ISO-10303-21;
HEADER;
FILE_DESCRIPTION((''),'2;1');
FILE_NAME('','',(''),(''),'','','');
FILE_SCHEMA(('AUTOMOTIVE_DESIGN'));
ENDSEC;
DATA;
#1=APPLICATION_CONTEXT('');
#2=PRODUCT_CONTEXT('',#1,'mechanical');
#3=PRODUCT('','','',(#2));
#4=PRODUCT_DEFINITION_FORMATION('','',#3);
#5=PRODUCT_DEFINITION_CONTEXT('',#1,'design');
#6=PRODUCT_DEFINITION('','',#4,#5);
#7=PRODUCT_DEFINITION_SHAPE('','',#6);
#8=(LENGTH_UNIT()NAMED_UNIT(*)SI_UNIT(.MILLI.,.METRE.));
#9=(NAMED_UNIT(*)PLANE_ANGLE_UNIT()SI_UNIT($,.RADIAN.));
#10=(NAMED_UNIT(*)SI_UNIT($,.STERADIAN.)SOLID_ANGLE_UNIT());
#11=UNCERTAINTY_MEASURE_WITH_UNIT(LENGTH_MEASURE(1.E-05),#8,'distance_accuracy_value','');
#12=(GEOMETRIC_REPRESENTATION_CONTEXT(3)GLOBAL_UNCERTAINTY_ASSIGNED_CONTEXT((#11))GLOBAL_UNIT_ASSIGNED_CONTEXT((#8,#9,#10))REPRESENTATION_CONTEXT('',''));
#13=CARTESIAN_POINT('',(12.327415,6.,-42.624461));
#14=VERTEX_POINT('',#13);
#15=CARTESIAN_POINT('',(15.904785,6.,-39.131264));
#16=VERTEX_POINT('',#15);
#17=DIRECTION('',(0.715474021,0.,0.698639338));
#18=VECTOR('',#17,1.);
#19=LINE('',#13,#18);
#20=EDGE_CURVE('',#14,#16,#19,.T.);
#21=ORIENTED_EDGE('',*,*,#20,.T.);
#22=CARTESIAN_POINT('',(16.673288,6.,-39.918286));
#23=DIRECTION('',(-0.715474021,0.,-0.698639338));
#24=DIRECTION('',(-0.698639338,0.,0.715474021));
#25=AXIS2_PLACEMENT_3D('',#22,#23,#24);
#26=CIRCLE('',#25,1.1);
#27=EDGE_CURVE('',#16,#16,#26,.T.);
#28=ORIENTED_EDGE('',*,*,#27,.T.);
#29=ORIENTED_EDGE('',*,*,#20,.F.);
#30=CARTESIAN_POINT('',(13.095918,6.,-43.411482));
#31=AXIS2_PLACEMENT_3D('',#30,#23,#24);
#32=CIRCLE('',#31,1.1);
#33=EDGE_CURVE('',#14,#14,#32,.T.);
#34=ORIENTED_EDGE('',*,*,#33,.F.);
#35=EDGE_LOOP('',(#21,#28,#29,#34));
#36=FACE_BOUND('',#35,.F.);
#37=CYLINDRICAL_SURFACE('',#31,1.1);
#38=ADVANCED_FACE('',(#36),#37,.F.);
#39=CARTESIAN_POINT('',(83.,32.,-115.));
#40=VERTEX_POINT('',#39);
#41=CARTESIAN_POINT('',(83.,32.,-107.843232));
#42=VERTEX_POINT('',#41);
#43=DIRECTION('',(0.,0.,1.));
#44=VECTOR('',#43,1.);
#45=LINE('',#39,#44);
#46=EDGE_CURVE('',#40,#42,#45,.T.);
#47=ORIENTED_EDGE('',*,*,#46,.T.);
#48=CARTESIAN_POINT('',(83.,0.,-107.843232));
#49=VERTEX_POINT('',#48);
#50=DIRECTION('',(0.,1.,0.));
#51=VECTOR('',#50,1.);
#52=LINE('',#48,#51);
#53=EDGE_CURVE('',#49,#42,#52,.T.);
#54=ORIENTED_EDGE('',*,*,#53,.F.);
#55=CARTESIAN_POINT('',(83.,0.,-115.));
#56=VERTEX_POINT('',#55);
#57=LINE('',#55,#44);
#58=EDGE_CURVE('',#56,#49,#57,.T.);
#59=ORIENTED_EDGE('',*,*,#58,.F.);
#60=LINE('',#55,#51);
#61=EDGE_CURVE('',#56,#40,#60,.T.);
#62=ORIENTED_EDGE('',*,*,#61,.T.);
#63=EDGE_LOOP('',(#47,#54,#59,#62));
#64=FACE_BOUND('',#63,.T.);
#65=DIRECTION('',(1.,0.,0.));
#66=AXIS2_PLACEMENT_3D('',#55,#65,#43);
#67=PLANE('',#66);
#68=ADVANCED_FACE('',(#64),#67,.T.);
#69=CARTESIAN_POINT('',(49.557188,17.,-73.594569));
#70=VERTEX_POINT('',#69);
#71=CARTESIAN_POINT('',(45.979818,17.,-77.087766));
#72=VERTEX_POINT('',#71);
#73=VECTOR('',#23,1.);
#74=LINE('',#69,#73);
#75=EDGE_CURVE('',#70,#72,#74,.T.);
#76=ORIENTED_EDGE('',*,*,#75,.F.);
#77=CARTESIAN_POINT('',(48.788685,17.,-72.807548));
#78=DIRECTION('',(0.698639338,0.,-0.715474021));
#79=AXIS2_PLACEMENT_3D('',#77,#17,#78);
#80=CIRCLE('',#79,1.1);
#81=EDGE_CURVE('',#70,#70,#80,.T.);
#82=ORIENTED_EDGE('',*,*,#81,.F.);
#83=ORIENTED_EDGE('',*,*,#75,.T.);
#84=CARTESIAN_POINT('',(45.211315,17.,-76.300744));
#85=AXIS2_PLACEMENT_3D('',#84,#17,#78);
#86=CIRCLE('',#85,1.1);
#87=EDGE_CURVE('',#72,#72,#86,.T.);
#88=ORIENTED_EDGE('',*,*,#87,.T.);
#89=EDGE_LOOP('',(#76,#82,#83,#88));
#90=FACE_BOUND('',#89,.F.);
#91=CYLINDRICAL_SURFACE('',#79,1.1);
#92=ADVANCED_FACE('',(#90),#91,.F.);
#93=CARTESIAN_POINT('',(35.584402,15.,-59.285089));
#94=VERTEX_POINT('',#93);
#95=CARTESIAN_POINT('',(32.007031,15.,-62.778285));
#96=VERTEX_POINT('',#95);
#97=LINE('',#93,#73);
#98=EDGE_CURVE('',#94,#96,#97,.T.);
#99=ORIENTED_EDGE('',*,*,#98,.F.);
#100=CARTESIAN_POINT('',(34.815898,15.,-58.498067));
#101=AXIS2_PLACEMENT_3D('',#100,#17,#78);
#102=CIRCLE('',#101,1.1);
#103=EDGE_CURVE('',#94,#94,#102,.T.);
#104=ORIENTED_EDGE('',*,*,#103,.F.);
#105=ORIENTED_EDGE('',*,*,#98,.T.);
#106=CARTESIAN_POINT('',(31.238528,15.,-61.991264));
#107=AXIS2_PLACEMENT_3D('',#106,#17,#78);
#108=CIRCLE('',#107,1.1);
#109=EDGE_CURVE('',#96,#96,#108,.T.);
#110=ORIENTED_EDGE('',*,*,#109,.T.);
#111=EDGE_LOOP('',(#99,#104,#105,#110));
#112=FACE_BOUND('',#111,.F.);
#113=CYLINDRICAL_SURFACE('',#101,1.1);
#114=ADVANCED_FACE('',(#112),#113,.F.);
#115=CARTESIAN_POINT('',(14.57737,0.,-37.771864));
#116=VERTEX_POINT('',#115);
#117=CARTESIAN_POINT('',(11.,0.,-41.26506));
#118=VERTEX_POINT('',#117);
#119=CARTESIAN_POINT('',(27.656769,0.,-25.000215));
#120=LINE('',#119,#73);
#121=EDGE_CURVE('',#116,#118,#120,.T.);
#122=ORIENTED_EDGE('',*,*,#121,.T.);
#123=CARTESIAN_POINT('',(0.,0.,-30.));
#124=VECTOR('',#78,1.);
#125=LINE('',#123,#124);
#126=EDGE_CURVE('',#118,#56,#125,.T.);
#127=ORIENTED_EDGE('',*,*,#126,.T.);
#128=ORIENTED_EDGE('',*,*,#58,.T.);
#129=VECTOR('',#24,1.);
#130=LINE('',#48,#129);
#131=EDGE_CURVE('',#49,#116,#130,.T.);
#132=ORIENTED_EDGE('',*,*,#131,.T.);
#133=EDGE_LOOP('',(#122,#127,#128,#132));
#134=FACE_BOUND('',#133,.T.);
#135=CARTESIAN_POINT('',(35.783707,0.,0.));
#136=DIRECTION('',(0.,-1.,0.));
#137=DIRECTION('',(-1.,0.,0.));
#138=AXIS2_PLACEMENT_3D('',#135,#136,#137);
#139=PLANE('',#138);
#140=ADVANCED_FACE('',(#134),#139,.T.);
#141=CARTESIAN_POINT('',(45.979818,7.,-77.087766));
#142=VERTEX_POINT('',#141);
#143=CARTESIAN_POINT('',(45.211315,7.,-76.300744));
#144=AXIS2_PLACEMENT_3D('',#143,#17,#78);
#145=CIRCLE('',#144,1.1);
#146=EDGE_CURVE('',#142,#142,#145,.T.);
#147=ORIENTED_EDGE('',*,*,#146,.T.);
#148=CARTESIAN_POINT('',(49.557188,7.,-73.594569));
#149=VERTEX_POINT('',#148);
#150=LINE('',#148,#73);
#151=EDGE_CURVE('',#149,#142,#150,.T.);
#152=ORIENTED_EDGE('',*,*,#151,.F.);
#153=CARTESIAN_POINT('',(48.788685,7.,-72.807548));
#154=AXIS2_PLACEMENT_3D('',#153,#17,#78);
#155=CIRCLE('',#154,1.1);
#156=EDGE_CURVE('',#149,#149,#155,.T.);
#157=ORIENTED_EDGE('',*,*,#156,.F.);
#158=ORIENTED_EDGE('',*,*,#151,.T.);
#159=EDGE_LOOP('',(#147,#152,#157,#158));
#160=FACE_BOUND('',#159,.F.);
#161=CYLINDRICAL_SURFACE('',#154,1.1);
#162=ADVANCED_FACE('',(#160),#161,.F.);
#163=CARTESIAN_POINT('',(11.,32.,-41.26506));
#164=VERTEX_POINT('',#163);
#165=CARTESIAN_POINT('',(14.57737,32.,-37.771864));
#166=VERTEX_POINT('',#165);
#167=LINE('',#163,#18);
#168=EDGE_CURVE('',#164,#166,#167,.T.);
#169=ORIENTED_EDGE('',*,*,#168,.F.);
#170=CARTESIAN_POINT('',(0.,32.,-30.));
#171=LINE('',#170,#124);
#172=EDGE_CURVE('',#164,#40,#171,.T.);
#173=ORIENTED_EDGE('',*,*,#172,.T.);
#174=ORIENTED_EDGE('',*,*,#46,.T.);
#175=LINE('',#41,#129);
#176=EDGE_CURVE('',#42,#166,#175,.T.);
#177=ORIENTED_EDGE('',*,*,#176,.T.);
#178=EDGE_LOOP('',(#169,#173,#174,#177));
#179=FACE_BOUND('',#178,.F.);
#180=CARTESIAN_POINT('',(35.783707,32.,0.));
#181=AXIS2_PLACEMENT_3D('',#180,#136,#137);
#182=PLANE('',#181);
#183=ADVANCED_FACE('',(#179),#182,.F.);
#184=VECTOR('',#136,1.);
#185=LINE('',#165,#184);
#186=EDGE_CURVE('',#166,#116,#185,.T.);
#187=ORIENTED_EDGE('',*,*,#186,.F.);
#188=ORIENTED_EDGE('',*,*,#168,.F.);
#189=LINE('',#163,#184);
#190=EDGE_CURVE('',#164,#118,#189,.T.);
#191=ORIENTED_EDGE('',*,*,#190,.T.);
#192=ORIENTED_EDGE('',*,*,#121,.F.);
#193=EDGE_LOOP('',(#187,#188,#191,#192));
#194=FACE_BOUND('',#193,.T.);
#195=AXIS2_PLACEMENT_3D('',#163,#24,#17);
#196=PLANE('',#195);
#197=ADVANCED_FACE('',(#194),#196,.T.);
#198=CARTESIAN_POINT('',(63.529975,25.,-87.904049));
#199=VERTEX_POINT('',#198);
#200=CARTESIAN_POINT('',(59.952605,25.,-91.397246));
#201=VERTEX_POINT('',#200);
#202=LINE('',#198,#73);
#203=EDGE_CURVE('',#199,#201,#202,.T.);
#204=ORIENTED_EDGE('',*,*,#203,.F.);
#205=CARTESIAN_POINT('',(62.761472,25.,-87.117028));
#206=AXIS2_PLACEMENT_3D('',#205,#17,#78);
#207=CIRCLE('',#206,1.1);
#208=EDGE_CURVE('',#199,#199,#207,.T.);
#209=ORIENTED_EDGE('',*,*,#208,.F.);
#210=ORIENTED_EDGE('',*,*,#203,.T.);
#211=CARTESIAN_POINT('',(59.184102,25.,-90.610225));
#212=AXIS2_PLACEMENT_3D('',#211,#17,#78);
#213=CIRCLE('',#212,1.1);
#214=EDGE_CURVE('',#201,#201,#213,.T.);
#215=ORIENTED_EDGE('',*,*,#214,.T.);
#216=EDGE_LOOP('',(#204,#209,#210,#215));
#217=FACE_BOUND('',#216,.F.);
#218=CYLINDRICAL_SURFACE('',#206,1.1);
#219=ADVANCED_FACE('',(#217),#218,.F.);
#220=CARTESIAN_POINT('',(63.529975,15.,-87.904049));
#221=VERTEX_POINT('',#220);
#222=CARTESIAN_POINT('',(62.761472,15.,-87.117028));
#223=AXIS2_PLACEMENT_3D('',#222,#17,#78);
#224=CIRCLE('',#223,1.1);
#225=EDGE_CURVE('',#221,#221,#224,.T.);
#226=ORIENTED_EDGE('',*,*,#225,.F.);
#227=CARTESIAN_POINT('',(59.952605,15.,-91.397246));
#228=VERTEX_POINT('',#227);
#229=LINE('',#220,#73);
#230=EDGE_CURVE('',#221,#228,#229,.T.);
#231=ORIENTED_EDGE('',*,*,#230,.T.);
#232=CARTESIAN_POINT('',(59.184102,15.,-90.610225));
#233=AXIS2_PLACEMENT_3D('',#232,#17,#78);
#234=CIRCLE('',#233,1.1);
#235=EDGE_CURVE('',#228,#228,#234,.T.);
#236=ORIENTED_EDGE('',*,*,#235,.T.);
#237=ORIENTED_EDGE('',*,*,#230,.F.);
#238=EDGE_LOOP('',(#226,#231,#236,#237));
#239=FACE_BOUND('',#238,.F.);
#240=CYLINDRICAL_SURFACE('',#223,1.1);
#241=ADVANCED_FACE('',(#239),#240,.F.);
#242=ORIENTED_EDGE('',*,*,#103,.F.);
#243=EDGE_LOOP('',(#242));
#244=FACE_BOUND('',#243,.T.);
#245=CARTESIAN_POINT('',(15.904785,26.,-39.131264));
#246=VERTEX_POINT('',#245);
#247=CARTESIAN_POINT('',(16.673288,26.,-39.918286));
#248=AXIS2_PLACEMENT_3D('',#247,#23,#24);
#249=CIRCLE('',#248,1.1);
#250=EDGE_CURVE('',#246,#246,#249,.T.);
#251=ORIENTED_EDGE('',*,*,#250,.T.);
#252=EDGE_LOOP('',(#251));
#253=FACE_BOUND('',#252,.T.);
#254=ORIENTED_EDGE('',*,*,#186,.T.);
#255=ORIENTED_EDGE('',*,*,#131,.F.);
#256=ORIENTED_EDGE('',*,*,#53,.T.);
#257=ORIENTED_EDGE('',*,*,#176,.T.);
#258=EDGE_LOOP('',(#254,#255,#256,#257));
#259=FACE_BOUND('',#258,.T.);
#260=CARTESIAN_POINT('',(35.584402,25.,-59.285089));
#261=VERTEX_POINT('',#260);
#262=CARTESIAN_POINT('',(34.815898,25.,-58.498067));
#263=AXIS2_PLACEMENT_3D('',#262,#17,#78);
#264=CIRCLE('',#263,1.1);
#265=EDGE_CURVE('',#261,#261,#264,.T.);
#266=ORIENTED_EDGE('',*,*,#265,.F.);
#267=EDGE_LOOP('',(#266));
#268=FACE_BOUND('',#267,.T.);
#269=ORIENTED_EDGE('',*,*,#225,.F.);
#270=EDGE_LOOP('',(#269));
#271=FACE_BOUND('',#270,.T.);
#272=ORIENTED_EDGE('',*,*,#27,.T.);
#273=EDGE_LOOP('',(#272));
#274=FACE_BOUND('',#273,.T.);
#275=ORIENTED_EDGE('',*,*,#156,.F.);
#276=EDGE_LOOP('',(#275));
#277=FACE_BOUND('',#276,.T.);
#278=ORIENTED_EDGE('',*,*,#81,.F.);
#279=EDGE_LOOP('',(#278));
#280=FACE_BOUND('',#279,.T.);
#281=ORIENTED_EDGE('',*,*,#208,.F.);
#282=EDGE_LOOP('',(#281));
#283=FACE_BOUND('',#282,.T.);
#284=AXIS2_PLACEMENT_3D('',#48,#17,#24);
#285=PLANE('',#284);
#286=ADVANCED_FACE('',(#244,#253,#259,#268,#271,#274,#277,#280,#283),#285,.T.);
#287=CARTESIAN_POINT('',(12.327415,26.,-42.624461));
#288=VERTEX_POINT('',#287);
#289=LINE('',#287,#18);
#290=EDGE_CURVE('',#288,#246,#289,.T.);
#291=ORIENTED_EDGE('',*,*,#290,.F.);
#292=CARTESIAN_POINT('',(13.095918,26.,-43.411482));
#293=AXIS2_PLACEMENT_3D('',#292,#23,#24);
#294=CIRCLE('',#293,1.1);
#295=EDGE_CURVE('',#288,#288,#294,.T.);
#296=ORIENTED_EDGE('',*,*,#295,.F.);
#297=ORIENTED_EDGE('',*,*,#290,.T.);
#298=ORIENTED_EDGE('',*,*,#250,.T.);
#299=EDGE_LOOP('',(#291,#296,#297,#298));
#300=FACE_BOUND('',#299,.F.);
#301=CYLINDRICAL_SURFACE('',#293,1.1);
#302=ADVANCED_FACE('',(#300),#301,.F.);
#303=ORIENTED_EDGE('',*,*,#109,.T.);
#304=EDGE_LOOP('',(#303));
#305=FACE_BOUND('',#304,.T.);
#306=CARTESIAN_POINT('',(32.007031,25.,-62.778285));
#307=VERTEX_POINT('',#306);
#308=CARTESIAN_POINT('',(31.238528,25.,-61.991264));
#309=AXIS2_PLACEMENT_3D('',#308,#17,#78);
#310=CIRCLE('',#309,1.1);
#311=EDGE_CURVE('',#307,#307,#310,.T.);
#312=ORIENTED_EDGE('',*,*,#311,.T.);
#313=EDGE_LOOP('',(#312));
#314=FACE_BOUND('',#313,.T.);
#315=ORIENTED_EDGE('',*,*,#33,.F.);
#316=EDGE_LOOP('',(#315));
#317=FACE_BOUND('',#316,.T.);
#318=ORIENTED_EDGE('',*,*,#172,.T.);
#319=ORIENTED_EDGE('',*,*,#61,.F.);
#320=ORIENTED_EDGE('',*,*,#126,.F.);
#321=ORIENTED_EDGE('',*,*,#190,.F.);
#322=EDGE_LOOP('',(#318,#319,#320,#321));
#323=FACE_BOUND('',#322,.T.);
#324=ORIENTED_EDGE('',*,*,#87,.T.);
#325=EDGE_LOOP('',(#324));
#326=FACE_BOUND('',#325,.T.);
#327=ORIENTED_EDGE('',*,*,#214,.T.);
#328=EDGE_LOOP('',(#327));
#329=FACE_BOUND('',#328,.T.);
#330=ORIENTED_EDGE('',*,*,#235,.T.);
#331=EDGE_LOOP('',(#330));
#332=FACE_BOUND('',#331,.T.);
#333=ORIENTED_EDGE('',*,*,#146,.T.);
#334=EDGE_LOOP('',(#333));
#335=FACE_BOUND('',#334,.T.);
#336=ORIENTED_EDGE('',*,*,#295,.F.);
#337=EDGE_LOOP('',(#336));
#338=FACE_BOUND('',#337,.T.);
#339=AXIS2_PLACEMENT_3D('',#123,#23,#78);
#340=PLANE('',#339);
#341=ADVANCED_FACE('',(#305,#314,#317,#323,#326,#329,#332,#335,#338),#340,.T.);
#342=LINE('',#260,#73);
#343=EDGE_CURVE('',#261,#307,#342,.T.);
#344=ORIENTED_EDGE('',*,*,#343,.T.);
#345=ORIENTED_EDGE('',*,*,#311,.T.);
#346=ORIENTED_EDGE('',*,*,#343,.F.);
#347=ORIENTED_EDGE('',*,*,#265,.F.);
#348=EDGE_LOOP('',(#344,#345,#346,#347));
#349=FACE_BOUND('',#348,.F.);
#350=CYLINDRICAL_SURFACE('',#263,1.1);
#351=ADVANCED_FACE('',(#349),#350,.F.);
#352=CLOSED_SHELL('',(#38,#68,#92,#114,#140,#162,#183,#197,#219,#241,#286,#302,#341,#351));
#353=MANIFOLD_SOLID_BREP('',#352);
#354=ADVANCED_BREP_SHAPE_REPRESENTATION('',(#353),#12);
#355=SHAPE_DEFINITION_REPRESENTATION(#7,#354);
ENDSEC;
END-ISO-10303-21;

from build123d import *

# Parameters (mm, degrees)
BOSS_EXTRUDE1_DEPTH = 32
FILLET1_R           = 10
SKETCH4_W           = 170.11041037
SKETCH4_H           = 258.008077424
CUT_EXTRUDE2_DEPTH  = 33
SKETCH6_R           = 1.1
CUT_EXTRUDE3_DEPTH  = 54.954614149
SKETCH7_R           = 1.1
CUT_EXTRUDE4_DEPTH  = 57.514129524


with BuildPart() as part:
    # Sketch1 → Boss-Extrude1 (new body)
    with BuildSketch(Plane(origin=(0, 0, 0), x_dir=(1, 0, 0), z_dir=(0, 1, 0))):
        Polygon((0, 0), (0, 30), (83, 115), (83, 107.843231513), (5, 27.963713441), (5, -27.963713441), (83, -107.843231513), (83, -115), (0, -30), align=None)
    extrude(amount=BOSS_EXTRUDE1_DEPTH)

    # Fillet1
    fillet1_edges = [part.edges().sort_by_distance(p)[0] for p in [
        (0, 16, 30),
        (0, 16, -30),
    ]]
    fillet(fillet1_edges, radius=FILLET1_R)

    # Sketch4 → Cut-Extrude2 (cut, through all)
    with BuildSketch(Plane(origin=(0, 32, 0), x_dir=(1, 0, 0), z_dir=(0, 1, 0))):
        with Locations((35.635219957, -4.046970822)):
            Rectangle(SKETCH4_W, SKETCH4_H)
        Polygon((87.577370106, 112.530899694), (84, 116.024096386), (11, 41.265060241), (14.577370106, 37.771863549), align=None, mode=Mode.SUBTRACT)
    extrude(amount=-CUT_EXTRUDE2_DEPTH, mode=Mode.SUBTRACT)

    # Sketch6 → Cut-Extrude3 (cut, through all)
    with BuildSketch(Plane(origin=(-14.995748902, 0, -14.642907751), x_dir=(-0.698639338, 0, 0.715474021), z_dir=(-0.715474021, 0, -0.698639338))):
        with Locations((-40.209111306, 26)):
            Circle(SKETCH6_R)
        with Locations((-40.209111306, 6)):
            Circle(SKETCH6_R)
    extrude(amount=-CUT_EXTRUDE3_DEPTH, mode=Mode.SUBTRACT)

    # Sketch7 → Cut-Extrude4 (cut, through all)
    with BuildSketch(Plane(origin=(-11.418378796, 0, -11.14971106), x_dir=(0.698639338, 0, -0.715474021), z_dir=(0.715474021, 0, 0.698639338))):
        with Locations((66.177603446, 15)):
            Circle(SKETCH7_R)
        with Locations((66.177603446, 25)):
            Circle(SKETCH7_R)
        with Locations((106.177603446, 25)):
            Circle(SKETCH7_R)
        with Locations((106.177603446, 15)):
            Circle(SKETCH7_R)
        with Locations((86.177603446, 17)):
            Circle(SKETCH7_R)
        with Locations((86.177603446, 7)):
            Circle(SKETCH7_R)
    extrude(amount=-CUT_EXTRUDE4_DEPTH, mode=Mode.SUBTRACT)


solid = part.part
